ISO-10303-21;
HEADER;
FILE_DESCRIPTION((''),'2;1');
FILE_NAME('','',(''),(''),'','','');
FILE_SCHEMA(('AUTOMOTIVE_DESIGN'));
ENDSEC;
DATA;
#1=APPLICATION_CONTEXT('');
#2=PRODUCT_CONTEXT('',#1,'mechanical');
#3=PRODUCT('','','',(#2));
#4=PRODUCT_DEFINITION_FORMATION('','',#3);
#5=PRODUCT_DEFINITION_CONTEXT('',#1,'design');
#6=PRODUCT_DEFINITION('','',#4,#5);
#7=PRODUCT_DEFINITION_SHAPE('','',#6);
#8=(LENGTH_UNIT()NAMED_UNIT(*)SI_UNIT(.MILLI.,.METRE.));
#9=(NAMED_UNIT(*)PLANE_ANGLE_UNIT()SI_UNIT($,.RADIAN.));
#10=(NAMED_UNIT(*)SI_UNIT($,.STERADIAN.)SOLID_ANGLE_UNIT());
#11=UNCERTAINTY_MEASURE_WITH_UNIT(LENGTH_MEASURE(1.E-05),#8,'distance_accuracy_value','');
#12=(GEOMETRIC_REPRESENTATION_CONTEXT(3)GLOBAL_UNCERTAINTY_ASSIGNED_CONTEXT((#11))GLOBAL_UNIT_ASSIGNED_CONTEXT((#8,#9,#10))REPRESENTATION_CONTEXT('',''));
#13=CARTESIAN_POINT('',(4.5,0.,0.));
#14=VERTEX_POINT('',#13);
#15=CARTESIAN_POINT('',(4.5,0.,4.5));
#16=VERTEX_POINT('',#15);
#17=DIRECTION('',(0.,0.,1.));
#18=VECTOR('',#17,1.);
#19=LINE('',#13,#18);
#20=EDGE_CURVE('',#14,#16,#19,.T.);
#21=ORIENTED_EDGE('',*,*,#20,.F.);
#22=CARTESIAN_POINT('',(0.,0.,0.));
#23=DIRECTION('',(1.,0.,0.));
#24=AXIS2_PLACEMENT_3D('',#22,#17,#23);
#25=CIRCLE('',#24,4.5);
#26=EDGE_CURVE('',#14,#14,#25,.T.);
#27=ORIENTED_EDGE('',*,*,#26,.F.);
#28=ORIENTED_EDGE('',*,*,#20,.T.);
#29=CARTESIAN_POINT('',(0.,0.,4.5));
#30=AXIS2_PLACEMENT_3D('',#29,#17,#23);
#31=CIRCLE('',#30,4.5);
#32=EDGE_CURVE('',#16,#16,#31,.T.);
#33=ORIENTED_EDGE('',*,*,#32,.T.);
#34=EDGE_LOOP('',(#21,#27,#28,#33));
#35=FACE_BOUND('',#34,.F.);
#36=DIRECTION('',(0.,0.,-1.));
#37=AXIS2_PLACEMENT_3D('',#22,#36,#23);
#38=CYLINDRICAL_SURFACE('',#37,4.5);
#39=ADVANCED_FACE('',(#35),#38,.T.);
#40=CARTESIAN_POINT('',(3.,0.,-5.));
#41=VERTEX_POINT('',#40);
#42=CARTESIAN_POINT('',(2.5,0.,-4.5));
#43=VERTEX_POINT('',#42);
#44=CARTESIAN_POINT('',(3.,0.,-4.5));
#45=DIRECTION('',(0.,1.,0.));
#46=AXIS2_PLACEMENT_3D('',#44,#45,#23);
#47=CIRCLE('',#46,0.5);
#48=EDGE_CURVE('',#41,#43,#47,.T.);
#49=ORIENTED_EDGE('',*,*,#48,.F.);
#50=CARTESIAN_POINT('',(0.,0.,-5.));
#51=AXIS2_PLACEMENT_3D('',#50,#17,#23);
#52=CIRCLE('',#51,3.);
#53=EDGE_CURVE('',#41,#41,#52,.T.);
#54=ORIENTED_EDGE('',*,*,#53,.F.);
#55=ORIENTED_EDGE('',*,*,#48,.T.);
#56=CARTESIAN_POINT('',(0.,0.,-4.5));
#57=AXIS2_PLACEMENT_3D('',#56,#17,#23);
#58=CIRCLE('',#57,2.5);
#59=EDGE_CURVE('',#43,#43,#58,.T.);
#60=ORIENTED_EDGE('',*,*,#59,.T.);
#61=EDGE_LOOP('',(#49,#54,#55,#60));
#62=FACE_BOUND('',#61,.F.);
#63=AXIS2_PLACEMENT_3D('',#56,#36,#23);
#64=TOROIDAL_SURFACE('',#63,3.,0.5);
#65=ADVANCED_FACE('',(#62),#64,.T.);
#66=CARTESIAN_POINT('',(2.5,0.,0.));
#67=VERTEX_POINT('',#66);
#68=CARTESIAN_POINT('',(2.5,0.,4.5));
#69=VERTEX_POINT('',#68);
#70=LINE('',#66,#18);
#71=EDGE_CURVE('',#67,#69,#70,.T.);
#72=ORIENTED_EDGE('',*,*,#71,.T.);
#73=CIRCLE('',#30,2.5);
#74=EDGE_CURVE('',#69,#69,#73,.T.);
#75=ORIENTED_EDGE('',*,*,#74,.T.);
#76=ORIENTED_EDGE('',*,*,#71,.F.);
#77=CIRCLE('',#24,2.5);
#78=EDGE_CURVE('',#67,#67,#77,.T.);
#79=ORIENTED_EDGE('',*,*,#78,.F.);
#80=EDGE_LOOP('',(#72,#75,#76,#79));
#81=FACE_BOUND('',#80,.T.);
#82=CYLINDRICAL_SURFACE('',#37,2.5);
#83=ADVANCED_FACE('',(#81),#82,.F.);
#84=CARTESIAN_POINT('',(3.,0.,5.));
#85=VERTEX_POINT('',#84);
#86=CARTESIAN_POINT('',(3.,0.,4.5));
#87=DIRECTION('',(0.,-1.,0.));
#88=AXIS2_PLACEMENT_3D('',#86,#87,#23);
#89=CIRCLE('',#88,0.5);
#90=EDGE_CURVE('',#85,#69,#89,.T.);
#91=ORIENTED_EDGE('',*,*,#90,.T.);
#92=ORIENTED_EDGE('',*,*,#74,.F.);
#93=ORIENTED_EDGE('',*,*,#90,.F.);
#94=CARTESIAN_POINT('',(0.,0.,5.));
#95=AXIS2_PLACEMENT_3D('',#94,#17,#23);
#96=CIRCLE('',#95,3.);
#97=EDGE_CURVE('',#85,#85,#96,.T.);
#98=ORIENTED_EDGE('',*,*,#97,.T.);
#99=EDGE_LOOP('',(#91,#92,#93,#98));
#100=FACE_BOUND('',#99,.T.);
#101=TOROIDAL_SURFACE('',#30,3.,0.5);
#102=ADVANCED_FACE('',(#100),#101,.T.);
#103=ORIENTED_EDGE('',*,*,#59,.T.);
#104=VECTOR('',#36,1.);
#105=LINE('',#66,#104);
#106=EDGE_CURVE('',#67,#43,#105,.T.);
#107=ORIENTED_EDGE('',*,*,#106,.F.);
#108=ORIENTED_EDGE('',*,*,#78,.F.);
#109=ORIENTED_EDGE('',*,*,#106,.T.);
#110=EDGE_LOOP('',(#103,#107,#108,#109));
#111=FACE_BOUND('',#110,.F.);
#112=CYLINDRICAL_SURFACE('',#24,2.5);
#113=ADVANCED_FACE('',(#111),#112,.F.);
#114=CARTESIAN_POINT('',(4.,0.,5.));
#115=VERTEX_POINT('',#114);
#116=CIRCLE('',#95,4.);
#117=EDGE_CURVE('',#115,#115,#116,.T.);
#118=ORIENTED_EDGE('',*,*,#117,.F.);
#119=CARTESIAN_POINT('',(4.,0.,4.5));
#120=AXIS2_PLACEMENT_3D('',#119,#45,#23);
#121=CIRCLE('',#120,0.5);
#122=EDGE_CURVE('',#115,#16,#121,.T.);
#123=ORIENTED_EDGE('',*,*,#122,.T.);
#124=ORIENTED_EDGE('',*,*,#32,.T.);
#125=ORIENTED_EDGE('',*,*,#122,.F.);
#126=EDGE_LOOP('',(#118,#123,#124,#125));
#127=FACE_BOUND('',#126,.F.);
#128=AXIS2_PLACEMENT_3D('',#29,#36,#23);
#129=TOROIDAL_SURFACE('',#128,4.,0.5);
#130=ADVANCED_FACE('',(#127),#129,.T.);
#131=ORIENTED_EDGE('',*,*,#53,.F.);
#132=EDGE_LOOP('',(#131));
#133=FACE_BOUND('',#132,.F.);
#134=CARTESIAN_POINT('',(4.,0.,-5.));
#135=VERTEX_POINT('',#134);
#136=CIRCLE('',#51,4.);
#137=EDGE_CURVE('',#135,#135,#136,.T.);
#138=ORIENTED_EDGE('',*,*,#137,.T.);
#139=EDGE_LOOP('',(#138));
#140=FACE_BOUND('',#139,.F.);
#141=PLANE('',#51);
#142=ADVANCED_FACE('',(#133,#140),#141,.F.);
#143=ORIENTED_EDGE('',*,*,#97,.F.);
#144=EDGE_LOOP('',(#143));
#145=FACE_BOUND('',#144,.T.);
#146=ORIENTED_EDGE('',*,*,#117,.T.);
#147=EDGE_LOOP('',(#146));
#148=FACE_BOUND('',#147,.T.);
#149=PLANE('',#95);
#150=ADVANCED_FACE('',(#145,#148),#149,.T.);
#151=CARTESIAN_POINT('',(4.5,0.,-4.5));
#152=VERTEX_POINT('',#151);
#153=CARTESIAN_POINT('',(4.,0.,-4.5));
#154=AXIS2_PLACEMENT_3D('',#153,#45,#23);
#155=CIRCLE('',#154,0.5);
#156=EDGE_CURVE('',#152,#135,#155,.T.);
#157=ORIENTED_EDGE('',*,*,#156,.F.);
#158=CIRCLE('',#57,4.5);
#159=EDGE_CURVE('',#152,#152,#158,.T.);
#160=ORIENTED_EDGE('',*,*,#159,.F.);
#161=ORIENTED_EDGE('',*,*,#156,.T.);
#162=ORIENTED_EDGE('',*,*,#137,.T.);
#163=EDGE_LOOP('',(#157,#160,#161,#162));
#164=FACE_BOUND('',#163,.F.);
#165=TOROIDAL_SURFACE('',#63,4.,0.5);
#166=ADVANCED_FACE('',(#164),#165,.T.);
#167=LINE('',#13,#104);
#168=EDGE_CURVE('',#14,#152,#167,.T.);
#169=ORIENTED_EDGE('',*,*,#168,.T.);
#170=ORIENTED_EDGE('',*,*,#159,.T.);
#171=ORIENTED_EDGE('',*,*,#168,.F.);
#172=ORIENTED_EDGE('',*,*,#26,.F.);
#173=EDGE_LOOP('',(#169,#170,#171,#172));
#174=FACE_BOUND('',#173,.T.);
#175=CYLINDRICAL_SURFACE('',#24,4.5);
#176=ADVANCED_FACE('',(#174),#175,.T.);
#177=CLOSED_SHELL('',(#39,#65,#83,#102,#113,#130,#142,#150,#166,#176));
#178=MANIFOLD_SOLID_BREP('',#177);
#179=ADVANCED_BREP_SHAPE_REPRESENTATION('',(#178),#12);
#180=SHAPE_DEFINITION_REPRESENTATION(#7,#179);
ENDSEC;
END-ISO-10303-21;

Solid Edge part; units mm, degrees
sketch "Sketch1" plane through (0, 0, 0) normal (0, 0, 1) x (1, 0, 0)
  circle A0 centre (0, 0) radius 4.5
  circle A1 centre (0, 0) radius 2.5
  dimension "D1" = 9
  dimension "D2" = 5
extrude "Protrusion1" add sketch "Sketch1" along normal mid plane 10
fillet "Round_1" radius 0.5 2 edges at (-2.5, 0, -5) (-2.5, 0, 5)
fillet "Round_2" radius 0.5 2 edges at (-4.5, 0, -5) (-4.5, 0, 5)
properties material "Acrylic, high impact grade"
